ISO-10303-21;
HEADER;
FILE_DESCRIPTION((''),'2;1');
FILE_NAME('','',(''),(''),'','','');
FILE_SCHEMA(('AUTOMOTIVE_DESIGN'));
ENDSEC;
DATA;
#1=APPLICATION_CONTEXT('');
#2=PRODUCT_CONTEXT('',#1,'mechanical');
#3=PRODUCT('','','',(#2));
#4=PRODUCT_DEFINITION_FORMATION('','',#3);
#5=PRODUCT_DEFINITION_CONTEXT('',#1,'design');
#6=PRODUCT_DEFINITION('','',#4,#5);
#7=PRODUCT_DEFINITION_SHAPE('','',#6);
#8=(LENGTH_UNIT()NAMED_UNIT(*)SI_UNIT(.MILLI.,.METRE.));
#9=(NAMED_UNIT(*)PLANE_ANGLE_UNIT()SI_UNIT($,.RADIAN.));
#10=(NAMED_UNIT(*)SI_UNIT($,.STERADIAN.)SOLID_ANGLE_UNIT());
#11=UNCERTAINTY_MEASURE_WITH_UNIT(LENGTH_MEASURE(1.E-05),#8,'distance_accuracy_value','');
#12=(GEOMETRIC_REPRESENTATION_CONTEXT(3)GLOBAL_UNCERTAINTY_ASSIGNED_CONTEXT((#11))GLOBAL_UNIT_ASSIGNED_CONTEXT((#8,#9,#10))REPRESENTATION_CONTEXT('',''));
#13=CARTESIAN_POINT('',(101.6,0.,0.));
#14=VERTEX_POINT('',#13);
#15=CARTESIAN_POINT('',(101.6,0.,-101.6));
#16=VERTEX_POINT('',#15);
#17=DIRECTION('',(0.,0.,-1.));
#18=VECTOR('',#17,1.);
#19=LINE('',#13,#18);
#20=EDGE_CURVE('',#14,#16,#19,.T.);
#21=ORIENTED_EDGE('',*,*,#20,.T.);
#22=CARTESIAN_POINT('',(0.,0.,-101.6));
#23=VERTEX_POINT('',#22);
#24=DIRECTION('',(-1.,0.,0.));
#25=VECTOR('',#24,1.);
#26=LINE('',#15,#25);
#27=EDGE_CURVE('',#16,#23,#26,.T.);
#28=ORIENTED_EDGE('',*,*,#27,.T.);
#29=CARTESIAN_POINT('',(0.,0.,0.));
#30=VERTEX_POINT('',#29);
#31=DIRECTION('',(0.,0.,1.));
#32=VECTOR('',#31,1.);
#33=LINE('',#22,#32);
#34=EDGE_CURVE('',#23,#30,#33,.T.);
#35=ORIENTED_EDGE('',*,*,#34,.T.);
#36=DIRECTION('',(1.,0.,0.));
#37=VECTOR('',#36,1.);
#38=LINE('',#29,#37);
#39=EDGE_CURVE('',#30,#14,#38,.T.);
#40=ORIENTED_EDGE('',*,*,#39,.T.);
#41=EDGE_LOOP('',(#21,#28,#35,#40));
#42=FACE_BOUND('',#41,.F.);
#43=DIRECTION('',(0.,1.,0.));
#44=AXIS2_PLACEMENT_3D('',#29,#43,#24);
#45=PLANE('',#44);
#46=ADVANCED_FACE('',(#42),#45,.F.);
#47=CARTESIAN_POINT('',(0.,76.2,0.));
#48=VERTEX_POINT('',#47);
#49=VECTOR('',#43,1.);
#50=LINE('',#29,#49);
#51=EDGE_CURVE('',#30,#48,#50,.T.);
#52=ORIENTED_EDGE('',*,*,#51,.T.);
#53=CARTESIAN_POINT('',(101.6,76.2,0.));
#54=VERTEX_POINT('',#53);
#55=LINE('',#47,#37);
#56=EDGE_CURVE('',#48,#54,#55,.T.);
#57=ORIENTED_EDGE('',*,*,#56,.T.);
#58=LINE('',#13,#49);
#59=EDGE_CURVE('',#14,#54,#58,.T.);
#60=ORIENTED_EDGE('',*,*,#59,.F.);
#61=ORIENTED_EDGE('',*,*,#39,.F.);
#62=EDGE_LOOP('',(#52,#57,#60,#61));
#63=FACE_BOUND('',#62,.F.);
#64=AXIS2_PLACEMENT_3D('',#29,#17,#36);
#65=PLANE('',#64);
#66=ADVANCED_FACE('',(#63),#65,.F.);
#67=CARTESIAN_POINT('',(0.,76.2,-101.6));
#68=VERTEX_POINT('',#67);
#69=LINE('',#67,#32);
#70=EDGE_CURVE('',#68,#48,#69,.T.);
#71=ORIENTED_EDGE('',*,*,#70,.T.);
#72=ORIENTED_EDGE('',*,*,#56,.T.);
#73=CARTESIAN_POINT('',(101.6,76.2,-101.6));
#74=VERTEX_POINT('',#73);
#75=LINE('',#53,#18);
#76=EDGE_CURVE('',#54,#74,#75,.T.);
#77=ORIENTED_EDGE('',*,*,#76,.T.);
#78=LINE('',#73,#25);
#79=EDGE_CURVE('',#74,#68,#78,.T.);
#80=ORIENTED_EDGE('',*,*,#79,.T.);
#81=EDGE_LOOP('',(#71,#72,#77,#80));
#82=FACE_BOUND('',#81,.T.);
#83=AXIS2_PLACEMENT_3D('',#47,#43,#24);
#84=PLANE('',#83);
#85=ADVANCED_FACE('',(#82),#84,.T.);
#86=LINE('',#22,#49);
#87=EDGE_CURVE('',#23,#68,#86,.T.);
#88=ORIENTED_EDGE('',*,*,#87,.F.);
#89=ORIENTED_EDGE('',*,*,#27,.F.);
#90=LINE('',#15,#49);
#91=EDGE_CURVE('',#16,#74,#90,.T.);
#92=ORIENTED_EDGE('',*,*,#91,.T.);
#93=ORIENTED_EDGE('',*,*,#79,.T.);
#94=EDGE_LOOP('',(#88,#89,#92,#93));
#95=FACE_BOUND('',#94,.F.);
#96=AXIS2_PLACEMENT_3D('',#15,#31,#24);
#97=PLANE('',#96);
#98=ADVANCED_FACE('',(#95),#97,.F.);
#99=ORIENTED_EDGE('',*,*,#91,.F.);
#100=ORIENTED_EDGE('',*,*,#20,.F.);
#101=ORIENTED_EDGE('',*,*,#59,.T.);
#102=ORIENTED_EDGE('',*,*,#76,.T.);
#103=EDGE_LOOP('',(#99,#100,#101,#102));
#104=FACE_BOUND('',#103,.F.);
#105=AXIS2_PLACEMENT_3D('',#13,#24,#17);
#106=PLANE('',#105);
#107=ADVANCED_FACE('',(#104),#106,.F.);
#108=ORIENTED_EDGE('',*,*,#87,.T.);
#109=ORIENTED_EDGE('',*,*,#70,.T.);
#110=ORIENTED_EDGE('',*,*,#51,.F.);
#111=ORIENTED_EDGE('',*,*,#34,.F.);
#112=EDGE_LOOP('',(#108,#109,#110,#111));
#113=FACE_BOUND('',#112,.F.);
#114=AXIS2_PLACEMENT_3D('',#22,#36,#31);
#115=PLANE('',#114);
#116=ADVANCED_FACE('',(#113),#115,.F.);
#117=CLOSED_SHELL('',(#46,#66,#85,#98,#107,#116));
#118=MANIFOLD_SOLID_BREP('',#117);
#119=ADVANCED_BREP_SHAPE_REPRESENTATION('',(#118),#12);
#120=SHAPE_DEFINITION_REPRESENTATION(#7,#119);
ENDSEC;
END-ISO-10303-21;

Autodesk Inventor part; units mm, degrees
ref_plane "YZ Plane" through (0, 0, 0) normal (1, 0, 0) x (0, 1, 0)
ref_plane "XZ Plane" through (0, 0, 0) normal (0, 1, 0) x (-1, 0, 0)
ref_plane "XY Plane" through (0, 0, 0) normal (0, 0, 1) x (1, 0, 0)
sketch "Sketch2" plane through (0, 0, 0) normal (0, 1, 0) x (-1, 0, 0)
  line L0 (0, 0) -> (-101.6, 0)
  line L1 (-101.6, 0) -> (-101.6, -101.6)
  line L2 (-101.6, -101.6) -> (0, -101.6)
  line L3 (0, -101.6) -> (0, 0)
  dimension "d3" = 101.6
  dimension "d4" = 101.6
extrude "Extrusion1" add sketch "Sketch2" along normal blind 76.2
properties part number "Setts"
